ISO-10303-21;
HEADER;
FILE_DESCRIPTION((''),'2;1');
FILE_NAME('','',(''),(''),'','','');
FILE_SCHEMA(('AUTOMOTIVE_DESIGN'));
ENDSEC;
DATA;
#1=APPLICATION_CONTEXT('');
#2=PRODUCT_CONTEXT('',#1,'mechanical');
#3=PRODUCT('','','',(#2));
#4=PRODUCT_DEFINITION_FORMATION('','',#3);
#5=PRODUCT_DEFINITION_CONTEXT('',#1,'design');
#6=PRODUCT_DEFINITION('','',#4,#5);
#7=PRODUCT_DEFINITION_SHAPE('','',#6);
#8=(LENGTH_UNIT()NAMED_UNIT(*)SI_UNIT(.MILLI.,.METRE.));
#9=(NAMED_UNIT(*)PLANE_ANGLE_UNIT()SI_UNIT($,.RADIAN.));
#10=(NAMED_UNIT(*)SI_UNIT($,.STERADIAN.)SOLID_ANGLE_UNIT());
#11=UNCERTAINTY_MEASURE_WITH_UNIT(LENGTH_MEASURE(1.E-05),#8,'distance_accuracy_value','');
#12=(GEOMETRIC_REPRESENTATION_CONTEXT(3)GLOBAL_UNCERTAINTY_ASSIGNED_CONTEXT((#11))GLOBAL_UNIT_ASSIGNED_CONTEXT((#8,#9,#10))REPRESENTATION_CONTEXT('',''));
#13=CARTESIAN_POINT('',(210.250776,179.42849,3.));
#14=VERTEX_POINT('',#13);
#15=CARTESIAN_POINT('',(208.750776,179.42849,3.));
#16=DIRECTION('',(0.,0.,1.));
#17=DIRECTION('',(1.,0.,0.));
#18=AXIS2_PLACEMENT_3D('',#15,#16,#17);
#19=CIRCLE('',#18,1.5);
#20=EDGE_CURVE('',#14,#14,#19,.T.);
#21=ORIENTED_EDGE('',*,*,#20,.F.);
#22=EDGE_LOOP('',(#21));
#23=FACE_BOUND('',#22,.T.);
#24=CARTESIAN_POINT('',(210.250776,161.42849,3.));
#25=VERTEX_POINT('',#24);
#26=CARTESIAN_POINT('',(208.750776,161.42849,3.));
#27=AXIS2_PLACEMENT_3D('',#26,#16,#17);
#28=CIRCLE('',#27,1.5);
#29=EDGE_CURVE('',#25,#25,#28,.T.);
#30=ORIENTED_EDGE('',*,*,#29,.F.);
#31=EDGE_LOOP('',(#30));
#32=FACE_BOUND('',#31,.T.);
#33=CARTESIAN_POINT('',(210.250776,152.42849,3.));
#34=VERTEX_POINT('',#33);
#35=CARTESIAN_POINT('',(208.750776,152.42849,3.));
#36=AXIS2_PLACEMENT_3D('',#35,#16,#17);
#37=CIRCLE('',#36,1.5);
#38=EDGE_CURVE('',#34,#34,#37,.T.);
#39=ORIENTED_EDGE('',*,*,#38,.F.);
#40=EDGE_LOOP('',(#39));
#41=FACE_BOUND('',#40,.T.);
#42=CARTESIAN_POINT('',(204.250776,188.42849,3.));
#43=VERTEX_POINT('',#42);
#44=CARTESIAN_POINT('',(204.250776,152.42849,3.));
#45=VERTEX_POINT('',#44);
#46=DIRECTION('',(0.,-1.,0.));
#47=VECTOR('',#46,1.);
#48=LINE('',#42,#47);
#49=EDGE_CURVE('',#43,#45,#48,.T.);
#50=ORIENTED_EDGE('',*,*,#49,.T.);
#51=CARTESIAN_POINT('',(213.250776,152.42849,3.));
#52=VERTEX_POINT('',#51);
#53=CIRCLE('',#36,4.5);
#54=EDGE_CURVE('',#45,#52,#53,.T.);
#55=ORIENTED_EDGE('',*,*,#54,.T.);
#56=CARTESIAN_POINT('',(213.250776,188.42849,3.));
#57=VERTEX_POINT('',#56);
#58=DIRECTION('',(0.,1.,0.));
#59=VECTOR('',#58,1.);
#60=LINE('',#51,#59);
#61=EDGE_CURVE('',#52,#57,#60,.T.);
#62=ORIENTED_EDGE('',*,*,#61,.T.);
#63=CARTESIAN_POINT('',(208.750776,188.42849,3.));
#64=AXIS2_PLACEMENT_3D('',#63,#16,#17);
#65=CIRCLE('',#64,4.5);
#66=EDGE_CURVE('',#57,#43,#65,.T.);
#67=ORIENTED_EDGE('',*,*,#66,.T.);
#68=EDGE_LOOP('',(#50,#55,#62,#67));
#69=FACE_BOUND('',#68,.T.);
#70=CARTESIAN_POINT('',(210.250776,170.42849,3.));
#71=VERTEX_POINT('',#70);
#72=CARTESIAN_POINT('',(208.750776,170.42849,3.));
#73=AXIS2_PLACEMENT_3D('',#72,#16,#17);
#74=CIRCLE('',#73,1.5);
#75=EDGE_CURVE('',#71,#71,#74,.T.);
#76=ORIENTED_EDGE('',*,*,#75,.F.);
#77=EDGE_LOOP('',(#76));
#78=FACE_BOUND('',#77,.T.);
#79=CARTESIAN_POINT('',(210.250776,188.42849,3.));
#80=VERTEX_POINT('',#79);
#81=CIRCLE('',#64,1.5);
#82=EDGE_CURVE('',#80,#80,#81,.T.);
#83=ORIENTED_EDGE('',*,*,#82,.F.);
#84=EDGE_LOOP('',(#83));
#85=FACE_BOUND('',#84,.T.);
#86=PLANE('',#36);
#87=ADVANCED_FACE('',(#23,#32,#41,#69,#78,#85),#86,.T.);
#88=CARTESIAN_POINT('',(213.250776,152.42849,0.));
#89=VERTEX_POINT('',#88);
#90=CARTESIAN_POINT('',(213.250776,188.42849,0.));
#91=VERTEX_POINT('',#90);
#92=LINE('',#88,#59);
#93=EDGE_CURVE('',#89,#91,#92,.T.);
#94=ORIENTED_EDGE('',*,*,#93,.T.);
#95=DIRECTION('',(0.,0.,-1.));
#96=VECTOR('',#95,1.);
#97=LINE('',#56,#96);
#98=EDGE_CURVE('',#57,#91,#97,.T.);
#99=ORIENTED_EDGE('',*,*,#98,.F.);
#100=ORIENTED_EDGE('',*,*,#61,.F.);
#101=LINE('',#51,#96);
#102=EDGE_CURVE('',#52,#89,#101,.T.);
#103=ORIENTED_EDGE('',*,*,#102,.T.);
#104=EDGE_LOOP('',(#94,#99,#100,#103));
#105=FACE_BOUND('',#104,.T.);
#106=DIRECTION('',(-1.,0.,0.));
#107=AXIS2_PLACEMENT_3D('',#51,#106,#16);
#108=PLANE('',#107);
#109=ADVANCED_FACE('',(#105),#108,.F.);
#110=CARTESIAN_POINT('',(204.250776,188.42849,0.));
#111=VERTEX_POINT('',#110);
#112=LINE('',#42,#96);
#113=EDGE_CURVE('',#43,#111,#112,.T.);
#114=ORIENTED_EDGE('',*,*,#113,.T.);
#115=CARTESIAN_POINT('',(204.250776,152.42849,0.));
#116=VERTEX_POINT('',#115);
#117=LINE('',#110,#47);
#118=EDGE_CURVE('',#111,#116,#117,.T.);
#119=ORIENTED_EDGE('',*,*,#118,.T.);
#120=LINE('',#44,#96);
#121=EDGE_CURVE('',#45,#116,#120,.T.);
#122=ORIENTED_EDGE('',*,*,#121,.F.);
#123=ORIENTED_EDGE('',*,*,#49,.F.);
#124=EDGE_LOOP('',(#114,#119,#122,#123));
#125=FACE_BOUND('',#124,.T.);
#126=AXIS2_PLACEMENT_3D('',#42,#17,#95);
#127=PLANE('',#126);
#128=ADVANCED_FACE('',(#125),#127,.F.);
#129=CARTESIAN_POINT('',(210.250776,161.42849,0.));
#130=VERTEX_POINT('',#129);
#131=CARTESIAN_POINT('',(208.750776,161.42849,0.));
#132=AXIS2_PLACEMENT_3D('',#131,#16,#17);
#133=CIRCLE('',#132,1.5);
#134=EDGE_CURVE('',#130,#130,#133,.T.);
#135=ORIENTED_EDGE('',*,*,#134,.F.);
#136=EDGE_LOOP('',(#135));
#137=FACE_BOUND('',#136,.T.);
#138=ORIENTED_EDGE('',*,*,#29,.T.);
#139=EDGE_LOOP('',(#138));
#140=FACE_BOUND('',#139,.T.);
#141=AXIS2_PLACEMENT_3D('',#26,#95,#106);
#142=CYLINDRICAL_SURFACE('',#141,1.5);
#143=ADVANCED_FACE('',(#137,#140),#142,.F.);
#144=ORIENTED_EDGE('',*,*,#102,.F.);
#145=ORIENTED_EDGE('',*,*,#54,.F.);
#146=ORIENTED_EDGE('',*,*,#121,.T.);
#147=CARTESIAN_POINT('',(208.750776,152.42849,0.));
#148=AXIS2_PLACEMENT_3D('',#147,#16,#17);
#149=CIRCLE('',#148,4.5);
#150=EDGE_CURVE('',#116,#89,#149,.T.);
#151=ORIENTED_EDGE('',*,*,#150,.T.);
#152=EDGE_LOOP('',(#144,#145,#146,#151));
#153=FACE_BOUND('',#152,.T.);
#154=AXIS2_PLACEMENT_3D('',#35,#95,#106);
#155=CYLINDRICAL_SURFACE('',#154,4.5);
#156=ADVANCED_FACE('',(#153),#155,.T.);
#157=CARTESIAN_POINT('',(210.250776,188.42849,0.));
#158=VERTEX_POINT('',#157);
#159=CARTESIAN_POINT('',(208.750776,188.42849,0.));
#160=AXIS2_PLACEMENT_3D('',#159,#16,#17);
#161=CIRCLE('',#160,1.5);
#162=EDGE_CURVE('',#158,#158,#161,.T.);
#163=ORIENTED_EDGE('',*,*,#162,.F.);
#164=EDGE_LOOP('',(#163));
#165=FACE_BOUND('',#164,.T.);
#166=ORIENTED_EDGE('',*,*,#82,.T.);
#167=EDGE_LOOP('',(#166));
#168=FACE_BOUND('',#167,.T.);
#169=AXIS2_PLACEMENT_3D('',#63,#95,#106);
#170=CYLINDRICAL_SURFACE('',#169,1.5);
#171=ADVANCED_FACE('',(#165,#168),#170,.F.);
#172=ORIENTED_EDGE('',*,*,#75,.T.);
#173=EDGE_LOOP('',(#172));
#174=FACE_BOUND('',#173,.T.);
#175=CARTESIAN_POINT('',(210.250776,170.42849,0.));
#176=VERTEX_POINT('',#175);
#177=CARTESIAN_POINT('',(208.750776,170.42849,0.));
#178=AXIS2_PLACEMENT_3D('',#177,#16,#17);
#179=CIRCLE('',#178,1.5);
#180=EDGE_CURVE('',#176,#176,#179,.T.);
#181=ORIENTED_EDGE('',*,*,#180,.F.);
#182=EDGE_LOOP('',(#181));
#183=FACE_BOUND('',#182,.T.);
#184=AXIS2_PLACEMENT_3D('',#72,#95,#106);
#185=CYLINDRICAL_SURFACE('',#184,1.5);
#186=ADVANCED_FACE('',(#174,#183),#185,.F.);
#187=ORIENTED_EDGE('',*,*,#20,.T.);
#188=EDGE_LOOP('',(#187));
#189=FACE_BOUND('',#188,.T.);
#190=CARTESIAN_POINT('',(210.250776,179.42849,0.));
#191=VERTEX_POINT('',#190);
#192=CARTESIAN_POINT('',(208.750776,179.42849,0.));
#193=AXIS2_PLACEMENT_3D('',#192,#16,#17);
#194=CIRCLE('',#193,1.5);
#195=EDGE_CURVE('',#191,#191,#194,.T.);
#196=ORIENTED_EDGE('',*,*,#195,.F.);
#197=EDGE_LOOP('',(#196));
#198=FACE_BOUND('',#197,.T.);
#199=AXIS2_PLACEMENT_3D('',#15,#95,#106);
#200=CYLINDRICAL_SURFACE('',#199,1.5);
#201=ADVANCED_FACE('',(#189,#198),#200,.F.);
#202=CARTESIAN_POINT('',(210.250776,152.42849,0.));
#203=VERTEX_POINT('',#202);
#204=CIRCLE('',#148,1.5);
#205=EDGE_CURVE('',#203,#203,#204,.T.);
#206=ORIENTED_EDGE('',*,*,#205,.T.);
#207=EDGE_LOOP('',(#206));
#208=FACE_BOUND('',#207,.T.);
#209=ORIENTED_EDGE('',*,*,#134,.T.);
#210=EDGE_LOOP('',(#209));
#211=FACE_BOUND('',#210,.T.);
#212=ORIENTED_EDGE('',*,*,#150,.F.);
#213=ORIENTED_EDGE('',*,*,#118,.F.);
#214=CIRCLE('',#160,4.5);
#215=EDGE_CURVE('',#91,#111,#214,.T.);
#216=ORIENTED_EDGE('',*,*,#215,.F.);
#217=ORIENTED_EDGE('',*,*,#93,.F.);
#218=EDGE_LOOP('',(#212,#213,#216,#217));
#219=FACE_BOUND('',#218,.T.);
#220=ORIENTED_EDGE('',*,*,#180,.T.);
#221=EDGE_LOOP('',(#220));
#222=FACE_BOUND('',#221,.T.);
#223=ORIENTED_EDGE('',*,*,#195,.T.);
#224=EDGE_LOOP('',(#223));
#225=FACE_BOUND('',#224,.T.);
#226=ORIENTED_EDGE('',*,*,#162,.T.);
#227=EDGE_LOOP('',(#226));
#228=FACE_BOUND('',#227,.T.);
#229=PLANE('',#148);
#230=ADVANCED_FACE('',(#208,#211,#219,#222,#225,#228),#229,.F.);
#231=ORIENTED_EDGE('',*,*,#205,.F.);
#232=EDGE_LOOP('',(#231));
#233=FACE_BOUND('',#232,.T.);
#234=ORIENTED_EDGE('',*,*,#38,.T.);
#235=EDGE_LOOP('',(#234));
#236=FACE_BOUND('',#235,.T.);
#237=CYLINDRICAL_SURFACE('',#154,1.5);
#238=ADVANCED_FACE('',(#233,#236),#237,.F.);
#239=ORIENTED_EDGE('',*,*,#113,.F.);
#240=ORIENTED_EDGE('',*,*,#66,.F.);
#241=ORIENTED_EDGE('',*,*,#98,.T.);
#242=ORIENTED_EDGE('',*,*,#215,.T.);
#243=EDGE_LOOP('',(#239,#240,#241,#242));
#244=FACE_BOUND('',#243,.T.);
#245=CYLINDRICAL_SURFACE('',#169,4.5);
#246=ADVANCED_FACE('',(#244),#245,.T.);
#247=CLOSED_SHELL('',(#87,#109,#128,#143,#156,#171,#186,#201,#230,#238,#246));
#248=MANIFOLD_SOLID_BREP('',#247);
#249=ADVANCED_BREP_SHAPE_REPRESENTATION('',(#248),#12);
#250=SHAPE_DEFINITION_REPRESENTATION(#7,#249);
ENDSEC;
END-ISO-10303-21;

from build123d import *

# Parameters (mm, degrees)
MODEL_R                 = 1.5
SALIENTE_EXTRUIR1_DEPTH = 3


with BuildPart() as part:
    # Model → Saliente-Extruir1 (new body)
    with BuildSketch(Plane.XY):
        with BuildLine():
            Line((213.25077615, 152.428489513), (213.25077615, 188.428489513))
            ThreePointArc((213.25077615, 188.428489513), (208.75077615, 192.928489513), (204.25077615, 188.428489513))
            Line((204.25077615, 188.428489513), (204.25077615, 152.428489513))
            ThreePointArc((204.25077615, 152.428489513), (208.75077615, 147.928489513), (213.25077615, 152.428489513))
        make_face()
        with Locations((208.75077615, 179.428489513)):
            Circle(MODEL_R, mode=Mode.SUBTRACT)
        with Locations((208.75077615, 188.428489513)):
            Circle(MODEL_R, mode=Mode.SUBTRACT)
        with Locations((208.75077615, 152.428489513)):
            Circle(MODEL_R, mode=Mode.SUBTRACT)
        with Locations((208.75077615, 161.428489513)):
            Circle(MODEL_R, mode=Mode.SUBTRACT)
        with Locations((208.75077615, 170.428489513)):
            Circle(MODEL_R, mode=Mode.SUBTRACT)
    extrude(amount=SALIENTE_EXTRUIR1_DEPTH)


solid = part.part
